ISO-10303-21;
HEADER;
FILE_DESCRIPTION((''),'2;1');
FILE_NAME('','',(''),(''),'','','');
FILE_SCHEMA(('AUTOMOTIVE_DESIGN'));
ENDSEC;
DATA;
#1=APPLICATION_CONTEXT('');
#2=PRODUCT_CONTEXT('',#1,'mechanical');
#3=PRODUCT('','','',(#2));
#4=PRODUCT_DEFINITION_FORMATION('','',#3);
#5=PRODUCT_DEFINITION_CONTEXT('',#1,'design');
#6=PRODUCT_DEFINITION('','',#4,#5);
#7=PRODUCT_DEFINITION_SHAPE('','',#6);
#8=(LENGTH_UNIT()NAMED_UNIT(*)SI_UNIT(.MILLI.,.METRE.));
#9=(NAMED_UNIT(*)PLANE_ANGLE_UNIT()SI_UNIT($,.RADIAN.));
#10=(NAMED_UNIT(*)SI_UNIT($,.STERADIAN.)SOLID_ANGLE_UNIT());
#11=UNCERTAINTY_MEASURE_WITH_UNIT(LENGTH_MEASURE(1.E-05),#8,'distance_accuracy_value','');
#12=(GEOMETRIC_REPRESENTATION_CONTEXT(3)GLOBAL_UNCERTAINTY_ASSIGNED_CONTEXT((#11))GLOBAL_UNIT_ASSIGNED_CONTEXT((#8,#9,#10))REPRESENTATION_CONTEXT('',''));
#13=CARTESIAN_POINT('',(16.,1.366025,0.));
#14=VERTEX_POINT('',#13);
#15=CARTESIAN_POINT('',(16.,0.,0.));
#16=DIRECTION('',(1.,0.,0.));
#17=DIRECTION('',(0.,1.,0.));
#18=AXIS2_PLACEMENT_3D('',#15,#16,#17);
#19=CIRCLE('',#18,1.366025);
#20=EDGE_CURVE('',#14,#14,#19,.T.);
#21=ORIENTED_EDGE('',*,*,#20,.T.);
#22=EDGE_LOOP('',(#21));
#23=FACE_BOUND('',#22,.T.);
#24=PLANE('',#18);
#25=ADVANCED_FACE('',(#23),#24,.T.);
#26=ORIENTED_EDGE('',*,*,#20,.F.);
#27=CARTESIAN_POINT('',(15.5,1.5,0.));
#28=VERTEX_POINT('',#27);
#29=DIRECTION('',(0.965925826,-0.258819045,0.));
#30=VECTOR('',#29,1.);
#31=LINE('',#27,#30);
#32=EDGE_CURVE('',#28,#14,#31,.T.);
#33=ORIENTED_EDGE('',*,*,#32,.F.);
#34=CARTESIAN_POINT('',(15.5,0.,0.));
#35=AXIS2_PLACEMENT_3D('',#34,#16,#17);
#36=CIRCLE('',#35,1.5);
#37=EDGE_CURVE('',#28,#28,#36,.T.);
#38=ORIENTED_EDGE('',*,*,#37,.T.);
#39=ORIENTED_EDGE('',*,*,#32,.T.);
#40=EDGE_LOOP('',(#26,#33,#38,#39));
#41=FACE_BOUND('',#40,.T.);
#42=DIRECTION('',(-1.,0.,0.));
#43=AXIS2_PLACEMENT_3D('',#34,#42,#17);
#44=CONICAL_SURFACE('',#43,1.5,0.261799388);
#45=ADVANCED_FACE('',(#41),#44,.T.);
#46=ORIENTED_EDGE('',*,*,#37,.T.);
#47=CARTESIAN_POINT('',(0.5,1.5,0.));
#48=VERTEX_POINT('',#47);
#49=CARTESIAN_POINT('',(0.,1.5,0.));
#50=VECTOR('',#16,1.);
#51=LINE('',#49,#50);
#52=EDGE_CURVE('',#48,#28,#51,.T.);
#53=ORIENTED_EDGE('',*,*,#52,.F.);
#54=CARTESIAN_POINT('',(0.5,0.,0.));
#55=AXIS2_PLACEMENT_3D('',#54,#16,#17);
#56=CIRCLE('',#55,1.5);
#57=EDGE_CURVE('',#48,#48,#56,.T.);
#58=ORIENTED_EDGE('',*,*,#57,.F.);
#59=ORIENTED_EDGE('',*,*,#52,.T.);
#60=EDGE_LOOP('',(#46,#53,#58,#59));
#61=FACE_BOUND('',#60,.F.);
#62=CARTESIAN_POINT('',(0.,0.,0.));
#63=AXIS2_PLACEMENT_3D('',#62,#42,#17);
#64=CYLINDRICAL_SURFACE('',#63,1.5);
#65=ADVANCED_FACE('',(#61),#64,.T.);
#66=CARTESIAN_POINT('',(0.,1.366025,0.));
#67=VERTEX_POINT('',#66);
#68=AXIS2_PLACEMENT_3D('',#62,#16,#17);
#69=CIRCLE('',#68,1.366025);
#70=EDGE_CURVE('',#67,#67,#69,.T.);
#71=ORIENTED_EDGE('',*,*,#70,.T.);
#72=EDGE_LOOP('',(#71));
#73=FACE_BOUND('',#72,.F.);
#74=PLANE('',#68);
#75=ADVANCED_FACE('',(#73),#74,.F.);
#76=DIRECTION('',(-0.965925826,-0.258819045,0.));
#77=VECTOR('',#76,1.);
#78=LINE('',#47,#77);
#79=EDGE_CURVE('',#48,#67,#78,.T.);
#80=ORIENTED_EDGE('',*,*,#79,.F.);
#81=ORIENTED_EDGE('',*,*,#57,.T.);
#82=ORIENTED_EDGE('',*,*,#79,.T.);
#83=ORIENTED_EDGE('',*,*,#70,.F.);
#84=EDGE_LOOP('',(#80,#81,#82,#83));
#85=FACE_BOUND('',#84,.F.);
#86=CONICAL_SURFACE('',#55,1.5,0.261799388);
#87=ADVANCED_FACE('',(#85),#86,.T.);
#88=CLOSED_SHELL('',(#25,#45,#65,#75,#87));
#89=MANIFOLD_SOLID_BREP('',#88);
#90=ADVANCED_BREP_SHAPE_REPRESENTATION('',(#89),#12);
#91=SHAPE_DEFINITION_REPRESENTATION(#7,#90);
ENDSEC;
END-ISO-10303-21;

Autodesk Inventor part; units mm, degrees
ref_plane "YZ Plane" through (0, 0, 0) normal (1, 0, 0) x (0, 1, 0)
ref_plane "XZ Plane" through (0, 0, 0) normal (0, 1, 0) x (-1, 0, 0)
ref_plane "XY Plane" through (0, 0, 0) normal (0, 0, 1) x (1, 0, 0)
sketch "Skizze" plane through (0, 0, 0) normal (1, 0, 0) x (0, 1, 0)
  circle A0 centre (0, 0) radius 1.5
  dimension "d1" = 3
extrude "Körper" add sketch "Skizze" along normal blind 16
chamfer "Fase1" distance 0.5 angle 15 1 edges at (0, -1.5, 0) measured on face at (10.6667, 1.4951, -0.1207)
chamfer "Fase2" distance 0.5 angle 15 1 edges at (16, -1.5, 0) measured on face at (10.8333, 1.4951, -0.1207)
equation "\"d1\" = NND"
equation "\"d2\" = NLG"
equation "\"d4\" = PHH"
equation "\"d5\" = FAWI"
equation "\"d11\" = PHH"
equation "\"d8\" = PHH"
equation "\"d9\" = FAWI"
equation "\"d12\" = PHH"
equation "\"NND\" = 3"
equation "\"NLG\" = 16"
equation "\"PHH\" = 0.5"
equation "\"FAWI\" = 15deg"
equation "\"KAH\" = 0"
properties part number "ISO 2338 - 3 h8 x 16" material "Edelstahl, austenitisch"
